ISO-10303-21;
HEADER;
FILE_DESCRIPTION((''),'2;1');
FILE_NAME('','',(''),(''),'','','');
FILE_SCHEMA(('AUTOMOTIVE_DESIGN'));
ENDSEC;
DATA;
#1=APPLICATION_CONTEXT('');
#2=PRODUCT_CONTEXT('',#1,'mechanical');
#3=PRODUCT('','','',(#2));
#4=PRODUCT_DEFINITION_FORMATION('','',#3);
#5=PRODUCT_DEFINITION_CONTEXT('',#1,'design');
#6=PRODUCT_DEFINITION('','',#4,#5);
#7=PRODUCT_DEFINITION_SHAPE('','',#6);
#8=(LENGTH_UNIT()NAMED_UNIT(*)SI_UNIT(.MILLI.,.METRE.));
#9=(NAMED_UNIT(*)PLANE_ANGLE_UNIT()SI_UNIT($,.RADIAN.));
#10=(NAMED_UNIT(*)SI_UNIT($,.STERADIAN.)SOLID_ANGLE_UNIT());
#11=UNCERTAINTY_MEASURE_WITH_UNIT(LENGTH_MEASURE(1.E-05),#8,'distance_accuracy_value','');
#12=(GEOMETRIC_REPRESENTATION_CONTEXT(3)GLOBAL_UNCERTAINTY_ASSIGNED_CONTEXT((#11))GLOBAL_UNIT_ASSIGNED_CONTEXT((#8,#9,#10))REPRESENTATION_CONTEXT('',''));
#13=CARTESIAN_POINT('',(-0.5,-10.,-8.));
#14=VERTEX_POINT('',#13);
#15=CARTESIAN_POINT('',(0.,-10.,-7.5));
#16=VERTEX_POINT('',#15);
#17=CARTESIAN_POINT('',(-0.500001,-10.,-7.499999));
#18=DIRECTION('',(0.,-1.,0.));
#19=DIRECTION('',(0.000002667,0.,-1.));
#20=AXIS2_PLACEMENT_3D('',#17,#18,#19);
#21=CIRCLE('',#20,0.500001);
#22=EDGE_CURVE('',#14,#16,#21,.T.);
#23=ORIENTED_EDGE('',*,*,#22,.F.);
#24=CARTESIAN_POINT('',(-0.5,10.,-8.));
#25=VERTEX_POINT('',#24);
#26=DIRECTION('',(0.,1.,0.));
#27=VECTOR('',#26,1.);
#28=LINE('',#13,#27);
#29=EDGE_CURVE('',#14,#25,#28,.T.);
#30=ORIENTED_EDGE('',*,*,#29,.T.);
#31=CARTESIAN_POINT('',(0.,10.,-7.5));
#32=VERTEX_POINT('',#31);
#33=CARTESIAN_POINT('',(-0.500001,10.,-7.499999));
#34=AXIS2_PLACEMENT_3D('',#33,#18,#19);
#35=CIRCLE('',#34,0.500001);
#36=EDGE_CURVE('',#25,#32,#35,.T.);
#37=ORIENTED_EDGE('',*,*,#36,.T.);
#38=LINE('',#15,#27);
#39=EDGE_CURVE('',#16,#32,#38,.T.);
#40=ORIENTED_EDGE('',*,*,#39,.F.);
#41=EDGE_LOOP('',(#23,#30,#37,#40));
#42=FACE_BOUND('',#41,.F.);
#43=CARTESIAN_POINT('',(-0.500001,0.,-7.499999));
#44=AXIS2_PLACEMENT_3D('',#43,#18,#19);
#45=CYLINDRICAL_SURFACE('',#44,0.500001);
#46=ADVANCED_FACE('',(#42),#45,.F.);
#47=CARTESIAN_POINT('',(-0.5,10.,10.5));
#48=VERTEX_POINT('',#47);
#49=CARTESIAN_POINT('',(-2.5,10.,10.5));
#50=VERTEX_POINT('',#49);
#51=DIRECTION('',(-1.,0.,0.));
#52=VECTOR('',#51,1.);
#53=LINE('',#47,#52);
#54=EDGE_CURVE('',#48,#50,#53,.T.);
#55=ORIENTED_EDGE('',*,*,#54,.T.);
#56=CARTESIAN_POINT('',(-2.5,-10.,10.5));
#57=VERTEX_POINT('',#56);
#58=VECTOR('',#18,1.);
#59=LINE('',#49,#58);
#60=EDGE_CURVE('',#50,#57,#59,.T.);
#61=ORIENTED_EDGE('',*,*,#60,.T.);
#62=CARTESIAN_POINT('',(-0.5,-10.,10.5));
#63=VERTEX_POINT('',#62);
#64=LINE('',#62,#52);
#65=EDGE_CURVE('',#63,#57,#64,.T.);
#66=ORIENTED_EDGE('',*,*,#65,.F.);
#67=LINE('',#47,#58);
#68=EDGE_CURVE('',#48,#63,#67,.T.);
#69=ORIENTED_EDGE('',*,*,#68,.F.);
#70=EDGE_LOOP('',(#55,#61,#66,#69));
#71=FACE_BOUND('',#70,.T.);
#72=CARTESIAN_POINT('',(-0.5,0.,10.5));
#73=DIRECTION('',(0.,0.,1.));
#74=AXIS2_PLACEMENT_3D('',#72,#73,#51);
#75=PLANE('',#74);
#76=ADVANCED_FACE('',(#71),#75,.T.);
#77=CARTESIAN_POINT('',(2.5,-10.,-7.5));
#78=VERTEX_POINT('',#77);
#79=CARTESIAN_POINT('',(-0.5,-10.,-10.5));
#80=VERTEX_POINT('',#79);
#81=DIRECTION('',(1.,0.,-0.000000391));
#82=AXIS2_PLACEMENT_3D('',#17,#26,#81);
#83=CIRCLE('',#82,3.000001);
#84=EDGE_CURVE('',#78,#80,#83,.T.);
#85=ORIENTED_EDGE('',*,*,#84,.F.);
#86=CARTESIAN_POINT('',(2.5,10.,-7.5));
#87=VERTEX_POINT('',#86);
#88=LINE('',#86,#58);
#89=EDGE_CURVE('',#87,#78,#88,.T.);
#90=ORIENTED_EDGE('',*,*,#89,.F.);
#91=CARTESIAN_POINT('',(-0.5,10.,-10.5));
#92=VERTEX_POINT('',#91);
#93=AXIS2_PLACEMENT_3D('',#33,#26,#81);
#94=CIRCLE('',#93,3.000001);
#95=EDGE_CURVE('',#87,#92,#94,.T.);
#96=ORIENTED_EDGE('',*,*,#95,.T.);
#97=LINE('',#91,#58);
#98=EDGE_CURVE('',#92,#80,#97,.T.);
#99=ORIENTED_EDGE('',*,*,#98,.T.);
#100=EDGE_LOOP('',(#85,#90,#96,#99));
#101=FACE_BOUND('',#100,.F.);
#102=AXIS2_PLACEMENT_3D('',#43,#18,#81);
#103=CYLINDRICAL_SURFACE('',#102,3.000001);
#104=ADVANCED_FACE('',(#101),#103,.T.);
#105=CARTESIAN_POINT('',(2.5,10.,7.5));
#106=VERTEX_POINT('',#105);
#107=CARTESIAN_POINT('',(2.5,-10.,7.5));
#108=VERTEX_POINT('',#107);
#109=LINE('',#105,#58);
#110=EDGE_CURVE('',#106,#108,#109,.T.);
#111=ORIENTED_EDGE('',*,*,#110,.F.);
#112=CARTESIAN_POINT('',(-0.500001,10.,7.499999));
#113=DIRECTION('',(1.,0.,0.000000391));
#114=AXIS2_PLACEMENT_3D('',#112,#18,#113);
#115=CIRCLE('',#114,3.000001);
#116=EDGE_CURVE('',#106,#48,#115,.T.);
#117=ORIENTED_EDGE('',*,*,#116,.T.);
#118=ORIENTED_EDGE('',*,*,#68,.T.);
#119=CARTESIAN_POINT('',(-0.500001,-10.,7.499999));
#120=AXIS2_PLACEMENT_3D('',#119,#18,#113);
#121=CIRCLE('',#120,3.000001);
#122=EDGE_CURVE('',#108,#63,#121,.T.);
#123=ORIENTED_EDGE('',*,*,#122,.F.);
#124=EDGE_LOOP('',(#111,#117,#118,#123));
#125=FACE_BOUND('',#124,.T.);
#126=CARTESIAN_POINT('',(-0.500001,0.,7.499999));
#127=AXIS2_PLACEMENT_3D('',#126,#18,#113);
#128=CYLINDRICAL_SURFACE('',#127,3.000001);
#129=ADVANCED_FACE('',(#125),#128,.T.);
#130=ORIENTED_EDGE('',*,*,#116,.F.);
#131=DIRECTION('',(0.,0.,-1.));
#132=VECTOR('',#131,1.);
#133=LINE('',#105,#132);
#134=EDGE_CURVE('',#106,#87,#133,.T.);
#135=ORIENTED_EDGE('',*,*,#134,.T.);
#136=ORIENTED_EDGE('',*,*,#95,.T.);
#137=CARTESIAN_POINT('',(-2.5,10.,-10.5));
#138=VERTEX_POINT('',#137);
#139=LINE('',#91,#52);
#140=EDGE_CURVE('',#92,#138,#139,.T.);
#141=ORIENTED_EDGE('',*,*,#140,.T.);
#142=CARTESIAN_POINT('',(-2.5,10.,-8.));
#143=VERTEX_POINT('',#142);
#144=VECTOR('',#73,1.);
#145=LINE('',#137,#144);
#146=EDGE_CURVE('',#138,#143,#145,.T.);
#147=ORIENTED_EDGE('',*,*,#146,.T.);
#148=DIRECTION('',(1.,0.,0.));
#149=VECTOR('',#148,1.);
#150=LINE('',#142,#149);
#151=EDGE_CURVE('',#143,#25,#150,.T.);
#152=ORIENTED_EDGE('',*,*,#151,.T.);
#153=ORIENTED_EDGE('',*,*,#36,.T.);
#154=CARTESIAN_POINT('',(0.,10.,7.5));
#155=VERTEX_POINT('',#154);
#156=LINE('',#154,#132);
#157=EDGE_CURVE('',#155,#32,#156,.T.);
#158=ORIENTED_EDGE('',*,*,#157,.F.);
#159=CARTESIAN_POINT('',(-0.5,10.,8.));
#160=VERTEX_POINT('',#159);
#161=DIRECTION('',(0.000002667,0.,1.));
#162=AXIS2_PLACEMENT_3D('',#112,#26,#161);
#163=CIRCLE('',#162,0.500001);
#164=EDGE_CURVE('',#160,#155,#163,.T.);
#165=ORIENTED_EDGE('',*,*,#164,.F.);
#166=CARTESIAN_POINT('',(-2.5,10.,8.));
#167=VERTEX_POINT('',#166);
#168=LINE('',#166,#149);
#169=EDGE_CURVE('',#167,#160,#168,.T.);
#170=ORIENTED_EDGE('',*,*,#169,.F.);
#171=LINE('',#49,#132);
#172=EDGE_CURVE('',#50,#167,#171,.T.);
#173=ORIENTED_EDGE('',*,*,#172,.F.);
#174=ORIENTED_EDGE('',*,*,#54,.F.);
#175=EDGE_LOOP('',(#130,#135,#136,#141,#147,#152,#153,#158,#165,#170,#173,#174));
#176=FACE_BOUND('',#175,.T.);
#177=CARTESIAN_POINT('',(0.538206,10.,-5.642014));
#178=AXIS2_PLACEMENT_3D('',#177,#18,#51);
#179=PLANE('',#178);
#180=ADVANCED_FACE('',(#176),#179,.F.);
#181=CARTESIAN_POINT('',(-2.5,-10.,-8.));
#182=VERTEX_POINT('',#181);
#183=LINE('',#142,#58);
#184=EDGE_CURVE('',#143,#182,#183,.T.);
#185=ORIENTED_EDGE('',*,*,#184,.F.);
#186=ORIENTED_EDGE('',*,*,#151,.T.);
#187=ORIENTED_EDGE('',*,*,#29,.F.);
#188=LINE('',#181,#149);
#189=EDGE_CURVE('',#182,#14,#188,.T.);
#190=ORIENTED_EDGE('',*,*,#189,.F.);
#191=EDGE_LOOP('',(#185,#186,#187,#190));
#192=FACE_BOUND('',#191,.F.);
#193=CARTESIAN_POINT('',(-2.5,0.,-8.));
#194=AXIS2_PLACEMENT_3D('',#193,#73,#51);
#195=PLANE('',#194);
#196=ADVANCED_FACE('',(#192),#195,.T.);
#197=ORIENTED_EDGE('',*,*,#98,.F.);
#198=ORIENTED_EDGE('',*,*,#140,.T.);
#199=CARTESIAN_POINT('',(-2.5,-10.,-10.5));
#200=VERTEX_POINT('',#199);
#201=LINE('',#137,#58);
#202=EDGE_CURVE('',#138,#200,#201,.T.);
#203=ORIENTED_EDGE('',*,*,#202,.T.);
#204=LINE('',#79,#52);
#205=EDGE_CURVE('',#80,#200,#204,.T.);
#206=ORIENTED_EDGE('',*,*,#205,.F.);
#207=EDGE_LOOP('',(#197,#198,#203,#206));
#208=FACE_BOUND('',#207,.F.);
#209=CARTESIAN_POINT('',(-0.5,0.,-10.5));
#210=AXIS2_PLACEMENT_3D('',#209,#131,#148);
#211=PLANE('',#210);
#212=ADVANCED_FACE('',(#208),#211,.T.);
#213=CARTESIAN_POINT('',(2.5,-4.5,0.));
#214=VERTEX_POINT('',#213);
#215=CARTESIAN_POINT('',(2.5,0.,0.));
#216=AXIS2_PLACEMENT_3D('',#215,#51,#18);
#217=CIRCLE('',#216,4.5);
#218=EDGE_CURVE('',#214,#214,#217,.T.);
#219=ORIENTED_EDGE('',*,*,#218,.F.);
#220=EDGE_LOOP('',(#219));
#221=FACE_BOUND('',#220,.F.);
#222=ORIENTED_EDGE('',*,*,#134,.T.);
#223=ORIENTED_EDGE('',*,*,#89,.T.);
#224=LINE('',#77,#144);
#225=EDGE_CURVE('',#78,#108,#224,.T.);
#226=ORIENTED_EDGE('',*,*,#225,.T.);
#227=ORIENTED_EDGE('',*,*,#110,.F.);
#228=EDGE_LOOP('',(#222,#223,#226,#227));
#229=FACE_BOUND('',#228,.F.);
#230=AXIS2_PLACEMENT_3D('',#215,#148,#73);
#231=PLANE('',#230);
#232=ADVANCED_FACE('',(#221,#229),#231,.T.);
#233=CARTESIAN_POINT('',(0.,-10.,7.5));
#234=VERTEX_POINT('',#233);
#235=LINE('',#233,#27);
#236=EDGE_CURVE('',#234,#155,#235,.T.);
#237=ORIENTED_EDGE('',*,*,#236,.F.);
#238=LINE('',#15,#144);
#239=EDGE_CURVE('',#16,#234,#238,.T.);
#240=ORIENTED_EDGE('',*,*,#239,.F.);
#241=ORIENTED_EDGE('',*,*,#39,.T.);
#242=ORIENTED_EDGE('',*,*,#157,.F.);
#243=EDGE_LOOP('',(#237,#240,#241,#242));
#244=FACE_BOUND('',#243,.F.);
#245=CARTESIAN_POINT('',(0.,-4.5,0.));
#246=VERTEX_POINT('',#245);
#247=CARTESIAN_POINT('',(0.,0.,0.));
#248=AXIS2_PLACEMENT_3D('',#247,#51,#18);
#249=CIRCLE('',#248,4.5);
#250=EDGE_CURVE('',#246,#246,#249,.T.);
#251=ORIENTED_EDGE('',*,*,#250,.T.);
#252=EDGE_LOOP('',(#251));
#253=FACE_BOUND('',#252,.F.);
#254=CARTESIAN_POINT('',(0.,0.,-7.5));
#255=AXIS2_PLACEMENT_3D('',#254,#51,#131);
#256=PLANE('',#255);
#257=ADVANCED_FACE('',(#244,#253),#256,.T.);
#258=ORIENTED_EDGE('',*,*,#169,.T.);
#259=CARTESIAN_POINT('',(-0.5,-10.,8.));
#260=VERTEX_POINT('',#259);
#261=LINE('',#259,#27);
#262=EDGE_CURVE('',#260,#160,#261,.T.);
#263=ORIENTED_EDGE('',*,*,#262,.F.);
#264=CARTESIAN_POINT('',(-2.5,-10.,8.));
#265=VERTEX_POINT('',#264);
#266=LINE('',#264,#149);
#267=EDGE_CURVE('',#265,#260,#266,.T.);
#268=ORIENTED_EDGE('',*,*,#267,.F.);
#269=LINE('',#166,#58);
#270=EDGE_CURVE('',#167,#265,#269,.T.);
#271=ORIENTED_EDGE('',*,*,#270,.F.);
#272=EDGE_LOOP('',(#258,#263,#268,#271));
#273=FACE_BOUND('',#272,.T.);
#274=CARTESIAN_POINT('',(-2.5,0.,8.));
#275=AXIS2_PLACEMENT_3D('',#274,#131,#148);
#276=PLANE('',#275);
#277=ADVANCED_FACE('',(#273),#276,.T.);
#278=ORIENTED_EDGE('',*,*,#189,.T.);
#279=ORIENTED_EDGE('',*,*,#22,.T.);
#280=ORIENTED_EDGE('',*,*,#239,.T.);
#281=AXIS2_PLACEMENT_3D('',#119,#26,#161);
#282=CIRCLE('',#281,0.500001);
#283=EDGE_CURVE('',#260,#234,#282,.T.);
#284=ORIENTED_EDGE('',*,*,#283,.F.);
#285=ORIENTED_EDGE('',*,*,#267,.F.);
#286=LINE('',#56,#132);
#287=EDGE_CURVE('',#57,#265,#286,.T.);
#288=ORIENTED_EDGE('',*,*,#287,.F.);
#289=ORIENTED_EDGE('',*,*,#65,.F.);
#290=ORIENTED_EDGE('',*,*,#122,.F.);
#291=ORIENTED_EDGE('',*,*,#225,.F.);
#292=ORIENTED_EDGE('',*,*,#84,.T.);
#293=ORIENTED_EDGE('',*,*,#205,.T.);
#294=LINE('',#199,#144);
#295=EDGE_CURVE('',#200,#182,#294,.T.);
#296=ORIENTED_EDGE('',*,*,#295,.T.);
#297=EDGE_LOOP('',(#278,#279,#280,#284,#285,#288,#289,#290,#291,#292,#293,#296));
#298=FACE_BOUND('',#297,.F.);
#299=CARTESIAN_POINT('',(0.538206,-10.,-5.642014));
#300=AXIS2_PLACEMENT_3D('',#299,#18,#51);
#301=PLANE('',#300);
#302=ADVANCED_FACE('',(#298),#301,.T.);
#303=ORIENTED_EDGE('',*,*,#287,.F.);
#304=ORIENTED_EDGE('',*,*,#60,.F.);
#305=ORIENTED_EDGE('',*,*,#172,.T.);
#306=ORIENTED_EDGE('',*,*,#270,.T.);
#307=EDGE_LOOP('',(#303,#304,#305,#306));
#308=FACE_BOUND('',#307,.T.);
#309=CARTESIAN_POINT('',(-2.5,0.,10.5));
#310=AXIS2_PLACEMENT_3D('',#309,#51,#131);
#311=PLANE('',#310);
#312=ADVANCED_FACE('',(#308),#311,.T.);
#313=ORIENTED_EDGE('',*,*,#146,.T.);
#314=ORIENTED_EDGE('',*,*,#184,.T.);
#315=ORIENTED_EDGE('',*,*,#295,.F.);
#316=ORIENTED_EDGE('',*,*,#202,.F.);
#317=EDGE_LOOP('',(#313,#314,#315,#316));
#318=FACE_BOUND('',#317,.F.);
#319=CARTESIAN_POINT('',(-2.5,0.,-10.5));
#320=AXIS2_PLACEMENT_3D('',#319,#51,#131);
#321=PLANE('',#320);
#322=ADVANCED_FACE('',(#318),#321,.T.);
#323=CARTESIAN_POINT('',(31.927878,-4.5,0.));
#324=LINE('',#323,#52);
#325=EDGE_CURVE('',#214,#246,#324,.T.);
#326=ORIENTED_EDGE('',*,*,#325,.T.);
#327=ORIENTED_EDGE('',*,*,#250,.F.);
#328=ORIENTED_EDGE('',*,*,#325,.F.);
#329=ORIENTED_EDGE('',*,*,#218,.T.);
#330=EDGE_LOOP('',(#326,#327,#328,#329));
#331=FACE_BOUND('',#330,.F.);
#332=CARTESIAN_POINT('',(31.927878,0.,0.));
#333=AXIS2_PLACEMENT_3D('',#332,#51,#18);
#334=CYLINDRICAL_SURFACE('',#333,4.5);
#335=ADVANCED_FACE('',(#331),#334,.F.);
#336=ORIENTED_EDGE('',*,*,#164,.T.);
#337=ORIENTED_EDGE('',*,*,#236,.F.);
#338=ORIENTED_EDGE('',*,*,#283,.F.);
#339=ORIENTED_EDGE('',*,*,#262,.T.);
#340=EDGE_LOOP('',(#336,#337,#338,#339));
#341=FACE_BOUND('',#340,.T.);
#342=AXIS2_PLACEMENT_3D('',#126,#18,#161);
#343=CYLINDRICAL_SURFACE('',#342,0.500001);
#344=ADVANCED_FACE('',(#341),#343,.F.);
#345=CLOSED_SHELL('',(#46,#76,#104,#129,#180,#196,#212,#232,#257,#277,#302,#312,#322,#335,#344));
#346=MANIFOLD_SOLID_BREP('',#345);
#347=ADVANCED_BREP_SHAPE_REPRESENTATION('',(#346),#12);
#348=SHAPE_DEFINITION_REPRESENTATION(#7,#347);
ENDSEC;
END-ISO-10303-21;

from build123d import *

# Parameters (mm, degrees)
F1_DEPTH      = 10
F1_DEPTH_BACK = 10
F4_D          = 9


with BuildPart() as f1:
    # F0 (on Front) → F1 (new body, two sides)
    with BuildSketch(Plane.XZ) as f1_sk:
        with BuildLine():
            Line((0, 0), (2.5, 0))
            Line((2.5, 0), (2.5, 7.5))
            ThreePointArc((2.5, 7.5), (1.62132, 9.62132), (-0.5, 10.5))
            Line((-0.5, 10.5), (-2.5, 10.5))
            Line((-2.5, 10.5), (-2.5, 8))
            Line((-2.5, 8), (-0.5, 8))
            ThreePointArc((-0.5, 8), (-0.146447, 7.853553), (0, 7.5))
            Line((0, 7.5), (0, 0))
        make_face()
    extrude(amount=F1_DEPTH)
    extrude(f1_sk.sketch, amount=-F1_DEPTH_BACK)

    # F2: F1 across face


with BuildPart() as f1_1:
    add(f1.part)
    add(f1.part.mirror(Plane(origin=(1.25, 0, 0), x_dir=(1, 0, 0), z_dir=(0, 0, -1))))

    # F4 (through all)
    with Locations(Plane.YZ.offset(2.5)):
        with Locations((0, 0)):
            Hole(F4_D / 2)


solid = f1_1.part
